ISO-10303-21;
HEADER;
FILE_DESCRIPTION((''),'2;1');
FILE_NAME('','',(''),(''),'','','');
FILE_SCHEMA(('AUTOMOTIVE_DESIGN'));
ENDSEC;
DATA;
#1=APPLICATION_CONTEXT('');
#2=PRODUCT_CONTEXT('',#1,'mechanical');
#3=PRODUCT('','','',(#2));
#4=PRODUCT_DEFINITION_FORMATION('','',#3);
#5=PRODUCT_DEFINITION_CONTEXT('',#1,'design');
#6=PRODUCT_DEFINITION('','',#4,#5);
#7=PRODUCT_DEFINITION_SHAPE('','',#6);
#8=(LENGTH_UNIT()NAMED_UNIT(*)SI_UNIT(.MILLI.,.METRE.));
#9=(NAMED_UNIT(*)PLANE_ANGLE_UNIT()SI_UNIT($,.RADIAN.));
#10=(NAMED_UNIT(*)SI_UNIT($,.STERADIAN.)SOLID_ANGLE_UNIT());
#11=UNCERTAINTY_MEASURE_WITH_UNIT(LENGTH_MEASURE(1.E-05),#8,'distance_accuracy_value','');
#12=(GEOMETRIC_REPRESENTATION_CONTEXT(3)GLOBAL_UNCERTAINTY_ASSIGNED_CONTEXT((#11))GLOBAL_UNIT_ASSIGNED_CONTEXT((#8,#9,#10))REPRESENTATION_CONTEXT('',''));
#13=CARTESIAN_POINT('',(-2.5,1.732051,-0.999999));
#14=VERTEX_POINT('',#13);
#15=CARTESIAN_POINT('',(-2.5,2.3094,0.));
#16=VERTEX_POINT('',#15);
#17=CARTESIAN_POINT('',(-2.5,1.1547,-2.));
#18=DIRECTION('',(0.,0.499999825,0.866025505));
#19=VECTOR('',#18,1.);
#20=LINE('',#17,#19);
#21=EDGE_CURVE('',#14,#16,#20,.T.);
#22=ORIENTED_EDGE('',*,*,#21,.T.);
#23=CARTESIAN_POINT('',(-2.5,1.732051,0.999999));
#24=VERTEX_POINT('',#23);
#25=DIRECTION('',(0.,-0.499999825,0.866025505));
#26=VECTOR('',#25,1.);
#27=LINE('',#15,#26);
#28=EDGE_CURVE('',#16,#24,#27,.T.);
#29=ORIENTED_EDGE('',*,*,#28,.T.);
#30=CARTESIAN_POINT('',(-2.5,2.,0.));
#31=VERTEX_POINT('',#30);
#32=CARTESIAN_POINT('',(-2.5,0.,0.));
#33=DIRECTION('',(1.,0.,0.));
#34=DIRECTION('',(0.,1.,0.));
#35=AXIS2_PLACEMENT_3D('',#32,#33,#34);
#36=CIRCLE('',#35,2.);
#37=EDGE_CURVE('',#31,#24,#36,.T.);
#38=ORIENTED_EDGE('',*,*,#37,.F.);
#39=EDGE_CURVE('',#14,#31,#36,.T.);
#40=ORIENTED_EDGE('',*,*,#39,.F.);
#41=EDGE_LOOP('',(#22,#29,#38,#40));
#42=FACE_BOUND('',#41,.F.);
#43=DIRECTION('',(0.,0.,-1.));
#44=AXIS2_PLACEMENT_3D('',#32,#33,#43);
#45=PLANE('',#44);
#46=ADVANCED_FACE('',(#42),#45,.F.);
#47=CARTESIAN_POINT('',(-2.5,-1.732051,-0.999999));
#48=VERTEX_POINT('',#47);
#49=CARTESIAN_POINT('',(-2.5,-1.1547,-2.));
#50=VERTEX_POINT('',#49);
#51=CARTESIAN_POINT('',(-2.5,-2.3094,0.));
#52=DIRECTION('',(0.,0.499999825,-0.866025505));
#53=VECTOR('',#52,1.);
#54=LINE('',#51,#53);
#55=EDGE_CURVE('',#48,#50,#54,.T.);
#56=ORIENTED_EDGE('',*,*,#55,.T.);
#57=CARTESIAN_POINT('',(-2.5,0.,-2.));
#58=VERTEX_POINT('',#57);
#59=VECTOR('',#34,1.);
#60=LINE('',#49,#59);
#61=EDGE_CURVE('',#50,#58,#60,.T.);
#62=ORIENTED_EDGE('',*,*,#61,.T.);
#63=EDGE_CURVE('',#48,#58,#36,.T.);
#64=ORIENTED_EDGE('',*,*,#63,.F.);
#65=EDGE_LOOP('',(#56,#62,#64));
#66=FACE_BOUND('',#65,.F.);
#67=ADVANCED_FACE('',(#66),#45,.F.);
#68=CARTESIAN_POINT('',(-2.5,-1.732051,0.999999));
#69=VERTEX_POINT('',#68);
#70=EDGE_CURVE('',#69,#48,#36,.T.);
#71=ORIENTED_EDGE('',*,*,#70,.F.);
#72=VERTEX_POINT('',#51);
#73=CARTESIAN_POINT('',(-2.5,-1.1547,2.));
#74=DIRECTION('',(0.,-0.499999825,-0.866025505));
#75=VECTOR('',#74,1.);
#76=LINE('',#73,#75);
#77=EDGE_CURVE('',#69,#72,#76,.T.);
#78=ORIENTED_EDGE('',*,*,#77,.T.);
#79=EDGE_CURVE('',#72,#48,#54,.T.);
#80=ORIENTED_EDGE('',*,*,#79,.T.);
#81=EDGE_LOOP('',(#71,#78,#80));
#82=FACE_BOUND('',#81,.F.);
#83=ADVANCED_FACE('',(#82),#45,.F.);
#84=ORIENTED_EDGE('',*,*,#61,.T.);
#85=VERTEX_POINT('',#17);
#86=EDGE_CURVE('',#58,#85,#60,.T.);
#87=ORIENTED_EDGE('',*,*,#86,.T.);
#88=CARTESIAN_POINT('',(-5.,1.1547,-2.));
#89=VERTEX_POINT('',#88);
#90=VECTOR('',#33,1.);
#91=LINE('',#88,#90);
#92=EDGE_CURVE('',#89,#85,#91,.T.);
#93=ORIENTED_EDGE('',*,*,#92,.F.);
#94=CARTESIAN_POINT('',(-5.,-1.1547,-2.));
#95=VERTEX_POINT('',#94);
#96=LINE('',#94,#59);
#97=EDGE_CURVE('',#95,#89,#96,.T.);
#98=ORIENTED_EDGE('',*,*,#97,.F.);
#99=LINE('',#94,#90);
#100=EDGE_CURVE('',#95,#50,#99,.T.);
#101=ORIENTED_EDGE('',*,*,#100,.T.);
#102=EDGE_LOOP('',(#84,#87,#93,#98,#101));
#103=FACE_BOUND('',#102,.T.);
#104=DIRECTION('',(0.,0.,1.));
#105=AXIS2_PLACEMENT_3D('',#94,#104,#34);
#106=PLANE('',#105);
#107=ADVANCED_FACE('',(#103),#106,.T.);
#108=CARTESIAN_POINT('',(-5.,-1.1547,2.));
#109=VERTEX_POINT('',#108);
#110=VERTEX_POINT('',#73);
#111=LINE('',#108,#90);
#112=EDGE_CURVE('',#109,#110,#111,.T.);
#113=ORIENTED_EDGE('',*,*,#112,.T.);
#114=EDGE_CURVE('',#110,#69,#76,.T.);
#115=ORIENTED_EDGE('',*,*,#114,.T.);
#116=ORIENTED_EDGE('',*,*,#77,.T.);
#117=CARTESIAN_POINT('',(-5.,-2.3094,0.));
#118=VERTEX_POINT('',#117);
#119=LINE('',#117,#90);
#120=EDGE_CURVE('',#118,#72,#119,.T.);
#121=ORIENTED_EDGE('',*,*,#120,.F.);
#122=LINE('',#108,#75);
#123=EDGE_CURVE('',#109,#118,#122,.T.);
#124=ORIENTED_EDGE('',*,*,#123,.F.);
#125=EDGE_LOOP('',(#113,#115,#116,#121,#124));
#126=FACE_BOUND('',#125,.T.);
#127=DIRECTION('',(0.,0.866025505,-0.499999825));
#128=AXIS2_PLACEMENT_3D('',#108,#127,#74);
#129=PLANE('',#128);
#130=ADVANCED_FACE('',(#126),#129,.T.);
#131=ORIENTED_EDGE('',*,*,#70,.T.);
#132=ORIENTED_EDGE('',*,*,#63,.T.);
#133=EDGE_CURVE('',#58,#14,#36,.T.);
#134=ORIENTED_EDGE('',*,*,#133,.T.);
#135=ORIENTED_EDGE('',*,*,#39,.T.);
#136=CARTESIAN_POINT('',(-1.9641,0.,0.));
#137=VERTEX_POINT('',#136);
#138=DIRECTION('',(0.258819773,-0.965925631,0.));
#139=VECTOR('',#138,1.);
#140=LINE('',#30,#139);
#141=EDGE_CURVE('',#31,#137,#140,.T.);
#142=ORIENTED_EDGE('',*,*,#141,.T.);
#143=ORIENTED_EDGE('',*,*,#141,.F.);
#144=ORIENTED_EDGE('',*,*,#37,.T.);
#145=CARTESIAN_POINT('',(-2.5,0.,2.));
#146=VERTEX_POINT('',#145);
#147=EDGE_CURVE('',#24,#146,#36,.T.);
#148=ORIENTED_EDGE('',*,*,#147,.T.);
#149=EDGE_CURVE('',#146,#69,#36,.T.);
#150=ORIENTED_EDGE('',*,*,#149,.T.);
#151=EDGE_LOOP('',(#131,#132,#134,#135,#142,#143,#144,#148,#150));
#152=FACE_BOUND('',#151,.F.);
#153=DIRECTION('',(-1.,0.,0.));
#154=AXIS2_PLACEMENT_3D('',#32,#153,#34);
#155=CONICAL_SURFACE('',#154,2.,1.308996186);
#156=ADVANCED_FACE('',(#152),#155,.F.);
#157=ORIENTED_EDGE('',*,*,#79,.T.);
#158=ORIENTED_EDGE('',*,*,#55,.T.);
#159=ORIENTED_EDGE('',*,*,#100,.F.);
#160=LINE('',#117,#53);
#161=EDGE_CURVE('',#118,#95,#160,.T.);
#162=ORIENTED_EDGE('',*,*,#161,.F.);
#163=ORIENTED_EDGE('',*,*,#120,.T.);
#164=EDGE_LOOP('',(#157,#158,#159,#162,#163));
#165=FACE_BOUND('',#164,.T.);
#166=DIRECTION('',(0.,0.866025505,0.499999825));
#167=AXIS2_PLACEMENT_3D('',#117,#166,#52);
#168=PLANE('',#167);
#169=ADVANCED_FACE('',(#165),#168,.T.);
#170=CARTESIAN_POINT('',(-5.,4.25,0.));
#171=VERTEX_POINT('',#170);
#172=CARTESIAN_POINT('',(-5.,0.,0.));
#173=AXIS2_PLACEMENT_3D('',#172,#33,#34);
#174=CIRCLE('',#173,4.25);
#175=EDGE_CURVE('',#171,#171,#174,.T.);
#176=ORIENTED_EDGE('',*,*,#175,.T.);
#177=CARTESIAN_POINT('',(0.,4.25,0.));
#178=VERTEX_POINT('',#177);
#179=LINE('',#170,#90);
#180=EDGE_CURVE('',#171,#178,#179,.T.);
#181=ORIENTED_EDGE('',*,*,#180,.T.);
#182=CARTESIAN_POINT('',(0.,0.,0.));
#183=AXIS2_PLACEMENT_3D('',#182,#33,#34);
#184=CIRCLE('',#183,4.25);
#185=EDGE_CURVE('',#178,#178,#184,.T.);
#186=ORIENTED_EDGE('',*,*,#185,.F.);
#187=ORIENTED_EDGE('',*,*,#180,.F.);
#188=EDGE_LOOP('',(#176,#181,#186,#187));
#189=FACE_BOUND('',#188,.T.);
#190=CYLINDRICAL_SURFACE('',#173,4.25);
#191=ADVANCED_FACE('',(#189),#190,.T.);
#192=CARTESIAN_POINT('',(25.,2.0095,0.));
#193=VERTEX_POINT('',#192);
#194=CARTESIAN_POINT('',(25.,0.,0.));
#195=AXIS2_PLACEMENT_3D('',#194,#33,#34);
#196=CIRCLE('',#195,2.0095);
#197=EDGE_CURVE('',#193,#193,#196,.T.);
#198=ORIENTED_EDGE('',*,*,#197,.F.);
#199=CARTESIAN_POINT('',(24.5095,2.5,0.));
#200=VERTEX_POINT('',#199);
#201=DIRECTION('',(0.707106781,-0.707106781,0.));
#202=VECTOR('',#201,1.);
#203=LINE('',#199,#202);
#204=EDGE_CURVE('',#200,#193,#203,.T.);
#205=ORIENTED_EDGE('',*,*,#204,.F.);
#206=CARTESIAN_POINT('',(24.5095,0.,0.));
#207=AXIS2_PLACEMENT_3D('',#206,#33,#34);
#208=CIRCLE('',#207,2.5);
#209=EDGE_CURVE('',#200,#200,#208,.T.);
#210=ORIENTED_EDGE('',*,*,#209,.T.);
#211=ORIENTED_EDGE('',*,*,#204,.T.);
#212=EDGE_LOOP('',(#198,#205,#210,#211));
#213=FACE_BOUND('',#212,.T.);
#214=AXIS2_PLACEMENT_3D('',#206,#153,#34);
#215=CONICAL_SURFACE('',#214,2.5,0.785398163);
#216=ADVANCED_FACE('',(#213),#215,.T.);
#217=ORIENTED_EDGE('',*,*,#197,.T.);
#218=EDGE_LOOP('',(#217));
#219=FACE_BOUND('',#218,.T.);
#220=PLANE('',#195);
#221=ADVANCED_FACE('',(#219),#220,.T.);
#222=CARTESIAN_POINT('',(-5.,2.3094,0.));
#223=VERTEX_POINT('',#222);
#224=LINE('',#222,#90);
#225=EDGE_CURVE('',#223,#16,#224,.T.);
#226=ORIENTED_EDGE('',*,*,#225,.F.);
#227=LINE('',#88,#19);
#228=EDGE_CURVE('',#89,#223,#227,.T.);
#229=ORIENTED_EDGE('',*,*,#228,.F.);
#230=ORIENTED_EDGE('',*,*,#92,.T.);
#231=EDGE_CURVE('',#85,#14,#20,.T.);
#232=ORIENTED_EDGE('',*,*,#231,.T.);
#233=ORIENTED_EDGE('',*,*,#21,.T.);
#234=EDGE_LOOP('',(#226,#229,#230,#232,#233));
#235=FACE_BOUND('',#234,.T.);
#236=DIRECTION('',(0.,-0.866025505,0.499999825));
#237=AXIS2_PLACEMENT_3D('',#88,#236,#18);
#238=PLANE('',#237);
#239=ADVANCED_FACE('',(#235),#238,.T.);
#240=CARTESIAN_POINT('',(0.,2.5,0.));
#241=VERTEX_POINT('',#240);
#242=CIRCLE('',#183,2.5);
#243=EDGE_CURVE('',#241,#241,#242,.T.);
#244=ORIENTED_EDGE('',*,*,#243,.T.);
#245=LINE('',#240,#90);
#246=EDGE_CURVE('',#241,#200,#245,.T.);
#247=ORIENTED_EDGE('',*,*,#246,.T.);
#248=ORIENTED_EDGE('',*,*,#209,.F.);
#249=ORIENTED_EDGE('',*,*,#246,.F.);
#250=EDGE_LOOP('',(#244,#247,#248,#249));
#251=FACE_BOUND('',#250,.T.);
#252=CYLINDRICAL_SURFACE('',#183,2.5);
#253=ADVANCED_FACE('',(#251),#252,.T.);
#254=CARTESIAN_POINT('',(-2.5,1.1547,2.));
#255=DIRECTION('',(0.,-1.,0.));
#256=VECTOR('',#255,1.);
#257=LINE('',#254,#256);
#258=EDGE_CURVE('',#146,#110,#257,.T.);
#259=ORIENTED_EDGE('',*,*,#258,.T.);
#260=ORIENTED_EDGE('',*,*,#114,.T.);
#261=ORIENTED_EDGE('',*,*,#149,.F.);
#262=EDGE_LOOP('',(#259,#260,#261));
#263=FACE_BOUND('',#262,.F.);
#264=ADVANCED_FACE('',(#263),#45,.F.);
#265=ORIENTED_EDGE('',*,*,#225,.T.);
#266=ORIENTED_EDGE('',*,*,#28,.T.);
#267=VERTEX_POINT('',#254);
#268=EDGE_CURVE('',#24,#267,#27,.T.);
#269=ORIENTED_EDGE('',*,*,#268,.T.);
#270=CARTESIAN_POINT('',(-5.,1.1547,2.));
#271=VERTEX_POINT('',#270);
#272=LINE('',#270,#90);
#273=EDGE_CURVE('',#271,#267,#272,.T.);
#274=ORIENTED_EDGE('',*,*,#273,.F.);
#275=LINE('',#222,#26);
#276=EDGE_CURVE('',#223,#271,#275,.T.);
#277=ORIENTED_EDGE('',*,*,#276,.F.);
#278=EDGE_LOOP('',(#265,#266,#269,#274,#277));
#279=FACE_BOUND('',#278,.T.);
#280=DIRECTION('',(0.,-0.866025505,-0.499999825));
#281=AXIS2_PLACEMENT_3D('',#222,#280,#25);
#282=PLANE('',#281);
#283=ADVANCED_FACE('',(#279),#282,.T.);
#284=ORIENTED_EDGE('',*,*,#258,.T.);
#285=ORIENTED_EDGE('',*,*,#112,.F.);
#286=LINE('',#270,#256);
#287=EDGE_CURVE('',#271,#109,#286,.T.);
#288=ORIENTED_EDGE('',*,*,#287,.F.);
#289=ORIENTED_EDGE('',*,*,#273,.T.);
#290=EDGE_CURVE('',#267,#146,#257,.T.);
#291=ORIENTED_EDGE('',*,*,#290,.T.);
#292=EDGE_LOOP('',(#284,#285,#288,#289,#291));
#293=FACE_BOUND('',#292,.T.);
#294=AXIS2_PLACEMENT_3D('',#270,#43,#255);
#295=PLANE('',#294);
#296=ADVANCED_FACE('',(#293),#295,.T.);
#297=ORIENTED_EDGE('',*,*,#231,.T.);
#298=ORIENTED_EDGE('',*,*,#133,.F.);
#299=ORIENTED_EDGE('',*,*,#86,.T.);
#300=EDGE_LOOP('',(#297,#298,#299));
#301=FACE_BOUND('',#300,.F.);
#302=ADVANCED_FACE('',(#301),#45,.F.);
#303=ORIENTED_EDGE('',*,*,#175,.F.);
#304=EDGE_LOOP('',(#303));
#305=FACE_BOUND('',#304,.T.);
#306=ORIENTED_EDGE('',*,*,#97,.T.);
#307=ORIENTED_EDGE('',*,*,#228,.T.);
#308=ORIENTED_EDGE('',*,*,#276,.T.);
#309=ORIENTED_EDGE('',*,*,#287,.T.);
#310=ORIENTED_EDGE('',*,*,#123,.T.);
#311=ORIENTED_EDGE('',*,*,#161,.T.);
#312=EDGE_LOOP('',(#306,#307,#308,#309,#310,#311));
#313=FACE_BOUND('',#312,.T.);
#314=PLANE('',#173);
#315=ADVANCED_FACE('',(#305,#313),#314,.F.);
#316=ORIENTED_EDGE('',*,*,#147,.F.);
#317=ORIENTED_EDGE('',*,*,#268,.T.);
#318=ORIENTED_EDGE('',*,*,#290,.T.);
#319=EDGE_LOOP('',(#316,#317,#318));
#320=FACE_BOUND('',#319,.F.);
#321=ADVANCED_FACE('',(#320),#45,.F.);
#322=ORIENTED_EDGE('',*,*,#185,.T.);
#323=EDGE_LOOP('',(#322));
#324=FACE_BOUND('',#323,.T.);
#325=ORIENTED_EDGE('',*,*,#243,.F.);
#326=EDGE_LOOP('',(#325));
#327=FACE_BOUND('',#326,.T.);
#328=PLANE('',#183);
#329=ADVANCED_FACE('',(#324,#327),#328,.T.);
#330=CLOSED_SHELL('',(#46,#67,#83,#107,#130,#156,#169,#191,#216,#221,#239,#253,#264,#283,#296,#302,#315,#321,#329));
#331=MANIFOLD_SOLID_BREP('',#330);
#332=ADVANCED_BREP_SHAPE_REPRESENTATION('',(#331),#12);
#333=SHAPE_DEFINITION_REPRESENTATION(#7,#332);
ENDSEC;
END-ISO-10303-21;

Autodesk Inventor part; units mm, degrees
sketch "Sketch_1" plane through (0, 0, 0) normal (0, 0, 1) x (1, 0, 0)
  line L0 (25, 0) -> (-5, 0)
  line L1 (-5, 0) -> (-5, 4.25)
  line L2 (-5, 4.25) -> (0, 4.25)
  line L3 (0, 4.25) -> (0, 2.5)
  line L4 (0, 2.5) -> (24.5095, 2.5)
  line L5 (24.5095, 2.5) -> (25, 2.0095)
  line L6 (25, 2.0095) -> (25, 0)
  line L7 (25, 0) -> (-5, 0)
revolve "Revolution1" add sketch "Sketch_1" angle 360 about axis through (25, 0, 0) along (1, 0, 0)
thread "Thread1" size "M5x0.8" class "6g" standard "ISO Metric profile" length 24.5 offset 0.5
sketch "Sketch_4" plane through (0, 0, 0) normal (0, 0, 1) x (1, 0, 0)
  line L0 (-1.9641, 0) -> (-5, 0)
  line L1 (-5, 0) -> (-5, 2)
  line L2 (-5, 2) -> (-2.5, 2)
  line L3 (-2.5, 2) -> (-1.9641, 0)
  line L4 (-1.9641, 0) -> (-5, 0)
revolve "Revolution2" cut sketch "Sketch_4" angle 360 about axis through (-1.9641, 0, 0) along (1, 0, 0)
sketch "Sketch_3" plane through (-5, 0, 0) normal (1, 0, 0) x (0, 0, -1)
  line L0 (-2, 1.1547) -> (-2, -1.1547)
  line L1 (-2, -1.1547) -> (0, -2.3094)
  line L2 (0, -2.3094) -> (2, -1.1547)
  line L3 (2, -1.1547) -> (2, 1.1547)
  line L4 (2, 1.1547) -> (0, 2.3094)
  line L5 (0, 2.3094) -> (-2, 1.1547)
extrude "Extrusion1" cut sketch "Sketch_3" along normal blind 2.5
ref_plane "bolt_XY" through (0, 0, 0) normal (1, 0, 0) x (0, 0, -1)
ref_plane "bolt_YZ" through (0, 0, 0) normal (0, 0, -1) x (0, 1, 0)
ref_plane "bolt_ZX" through (0, 0, 0) normal (0, 1, 0) x (1, 0, 0)
ref_plane "nut_XY" through (25, 0, 0) normal (1, 0, 0) x (0, 0, -1)
ref_plane "nut_YZ" through (25, 0, 0) normal (0, 0, -1) x (0, 1, 0)
ref_plane "nut_ZX" through (25, 0, 0) normal (0, 1, 0) x (1, 0, 0)
properties part number "CBM5-25"
